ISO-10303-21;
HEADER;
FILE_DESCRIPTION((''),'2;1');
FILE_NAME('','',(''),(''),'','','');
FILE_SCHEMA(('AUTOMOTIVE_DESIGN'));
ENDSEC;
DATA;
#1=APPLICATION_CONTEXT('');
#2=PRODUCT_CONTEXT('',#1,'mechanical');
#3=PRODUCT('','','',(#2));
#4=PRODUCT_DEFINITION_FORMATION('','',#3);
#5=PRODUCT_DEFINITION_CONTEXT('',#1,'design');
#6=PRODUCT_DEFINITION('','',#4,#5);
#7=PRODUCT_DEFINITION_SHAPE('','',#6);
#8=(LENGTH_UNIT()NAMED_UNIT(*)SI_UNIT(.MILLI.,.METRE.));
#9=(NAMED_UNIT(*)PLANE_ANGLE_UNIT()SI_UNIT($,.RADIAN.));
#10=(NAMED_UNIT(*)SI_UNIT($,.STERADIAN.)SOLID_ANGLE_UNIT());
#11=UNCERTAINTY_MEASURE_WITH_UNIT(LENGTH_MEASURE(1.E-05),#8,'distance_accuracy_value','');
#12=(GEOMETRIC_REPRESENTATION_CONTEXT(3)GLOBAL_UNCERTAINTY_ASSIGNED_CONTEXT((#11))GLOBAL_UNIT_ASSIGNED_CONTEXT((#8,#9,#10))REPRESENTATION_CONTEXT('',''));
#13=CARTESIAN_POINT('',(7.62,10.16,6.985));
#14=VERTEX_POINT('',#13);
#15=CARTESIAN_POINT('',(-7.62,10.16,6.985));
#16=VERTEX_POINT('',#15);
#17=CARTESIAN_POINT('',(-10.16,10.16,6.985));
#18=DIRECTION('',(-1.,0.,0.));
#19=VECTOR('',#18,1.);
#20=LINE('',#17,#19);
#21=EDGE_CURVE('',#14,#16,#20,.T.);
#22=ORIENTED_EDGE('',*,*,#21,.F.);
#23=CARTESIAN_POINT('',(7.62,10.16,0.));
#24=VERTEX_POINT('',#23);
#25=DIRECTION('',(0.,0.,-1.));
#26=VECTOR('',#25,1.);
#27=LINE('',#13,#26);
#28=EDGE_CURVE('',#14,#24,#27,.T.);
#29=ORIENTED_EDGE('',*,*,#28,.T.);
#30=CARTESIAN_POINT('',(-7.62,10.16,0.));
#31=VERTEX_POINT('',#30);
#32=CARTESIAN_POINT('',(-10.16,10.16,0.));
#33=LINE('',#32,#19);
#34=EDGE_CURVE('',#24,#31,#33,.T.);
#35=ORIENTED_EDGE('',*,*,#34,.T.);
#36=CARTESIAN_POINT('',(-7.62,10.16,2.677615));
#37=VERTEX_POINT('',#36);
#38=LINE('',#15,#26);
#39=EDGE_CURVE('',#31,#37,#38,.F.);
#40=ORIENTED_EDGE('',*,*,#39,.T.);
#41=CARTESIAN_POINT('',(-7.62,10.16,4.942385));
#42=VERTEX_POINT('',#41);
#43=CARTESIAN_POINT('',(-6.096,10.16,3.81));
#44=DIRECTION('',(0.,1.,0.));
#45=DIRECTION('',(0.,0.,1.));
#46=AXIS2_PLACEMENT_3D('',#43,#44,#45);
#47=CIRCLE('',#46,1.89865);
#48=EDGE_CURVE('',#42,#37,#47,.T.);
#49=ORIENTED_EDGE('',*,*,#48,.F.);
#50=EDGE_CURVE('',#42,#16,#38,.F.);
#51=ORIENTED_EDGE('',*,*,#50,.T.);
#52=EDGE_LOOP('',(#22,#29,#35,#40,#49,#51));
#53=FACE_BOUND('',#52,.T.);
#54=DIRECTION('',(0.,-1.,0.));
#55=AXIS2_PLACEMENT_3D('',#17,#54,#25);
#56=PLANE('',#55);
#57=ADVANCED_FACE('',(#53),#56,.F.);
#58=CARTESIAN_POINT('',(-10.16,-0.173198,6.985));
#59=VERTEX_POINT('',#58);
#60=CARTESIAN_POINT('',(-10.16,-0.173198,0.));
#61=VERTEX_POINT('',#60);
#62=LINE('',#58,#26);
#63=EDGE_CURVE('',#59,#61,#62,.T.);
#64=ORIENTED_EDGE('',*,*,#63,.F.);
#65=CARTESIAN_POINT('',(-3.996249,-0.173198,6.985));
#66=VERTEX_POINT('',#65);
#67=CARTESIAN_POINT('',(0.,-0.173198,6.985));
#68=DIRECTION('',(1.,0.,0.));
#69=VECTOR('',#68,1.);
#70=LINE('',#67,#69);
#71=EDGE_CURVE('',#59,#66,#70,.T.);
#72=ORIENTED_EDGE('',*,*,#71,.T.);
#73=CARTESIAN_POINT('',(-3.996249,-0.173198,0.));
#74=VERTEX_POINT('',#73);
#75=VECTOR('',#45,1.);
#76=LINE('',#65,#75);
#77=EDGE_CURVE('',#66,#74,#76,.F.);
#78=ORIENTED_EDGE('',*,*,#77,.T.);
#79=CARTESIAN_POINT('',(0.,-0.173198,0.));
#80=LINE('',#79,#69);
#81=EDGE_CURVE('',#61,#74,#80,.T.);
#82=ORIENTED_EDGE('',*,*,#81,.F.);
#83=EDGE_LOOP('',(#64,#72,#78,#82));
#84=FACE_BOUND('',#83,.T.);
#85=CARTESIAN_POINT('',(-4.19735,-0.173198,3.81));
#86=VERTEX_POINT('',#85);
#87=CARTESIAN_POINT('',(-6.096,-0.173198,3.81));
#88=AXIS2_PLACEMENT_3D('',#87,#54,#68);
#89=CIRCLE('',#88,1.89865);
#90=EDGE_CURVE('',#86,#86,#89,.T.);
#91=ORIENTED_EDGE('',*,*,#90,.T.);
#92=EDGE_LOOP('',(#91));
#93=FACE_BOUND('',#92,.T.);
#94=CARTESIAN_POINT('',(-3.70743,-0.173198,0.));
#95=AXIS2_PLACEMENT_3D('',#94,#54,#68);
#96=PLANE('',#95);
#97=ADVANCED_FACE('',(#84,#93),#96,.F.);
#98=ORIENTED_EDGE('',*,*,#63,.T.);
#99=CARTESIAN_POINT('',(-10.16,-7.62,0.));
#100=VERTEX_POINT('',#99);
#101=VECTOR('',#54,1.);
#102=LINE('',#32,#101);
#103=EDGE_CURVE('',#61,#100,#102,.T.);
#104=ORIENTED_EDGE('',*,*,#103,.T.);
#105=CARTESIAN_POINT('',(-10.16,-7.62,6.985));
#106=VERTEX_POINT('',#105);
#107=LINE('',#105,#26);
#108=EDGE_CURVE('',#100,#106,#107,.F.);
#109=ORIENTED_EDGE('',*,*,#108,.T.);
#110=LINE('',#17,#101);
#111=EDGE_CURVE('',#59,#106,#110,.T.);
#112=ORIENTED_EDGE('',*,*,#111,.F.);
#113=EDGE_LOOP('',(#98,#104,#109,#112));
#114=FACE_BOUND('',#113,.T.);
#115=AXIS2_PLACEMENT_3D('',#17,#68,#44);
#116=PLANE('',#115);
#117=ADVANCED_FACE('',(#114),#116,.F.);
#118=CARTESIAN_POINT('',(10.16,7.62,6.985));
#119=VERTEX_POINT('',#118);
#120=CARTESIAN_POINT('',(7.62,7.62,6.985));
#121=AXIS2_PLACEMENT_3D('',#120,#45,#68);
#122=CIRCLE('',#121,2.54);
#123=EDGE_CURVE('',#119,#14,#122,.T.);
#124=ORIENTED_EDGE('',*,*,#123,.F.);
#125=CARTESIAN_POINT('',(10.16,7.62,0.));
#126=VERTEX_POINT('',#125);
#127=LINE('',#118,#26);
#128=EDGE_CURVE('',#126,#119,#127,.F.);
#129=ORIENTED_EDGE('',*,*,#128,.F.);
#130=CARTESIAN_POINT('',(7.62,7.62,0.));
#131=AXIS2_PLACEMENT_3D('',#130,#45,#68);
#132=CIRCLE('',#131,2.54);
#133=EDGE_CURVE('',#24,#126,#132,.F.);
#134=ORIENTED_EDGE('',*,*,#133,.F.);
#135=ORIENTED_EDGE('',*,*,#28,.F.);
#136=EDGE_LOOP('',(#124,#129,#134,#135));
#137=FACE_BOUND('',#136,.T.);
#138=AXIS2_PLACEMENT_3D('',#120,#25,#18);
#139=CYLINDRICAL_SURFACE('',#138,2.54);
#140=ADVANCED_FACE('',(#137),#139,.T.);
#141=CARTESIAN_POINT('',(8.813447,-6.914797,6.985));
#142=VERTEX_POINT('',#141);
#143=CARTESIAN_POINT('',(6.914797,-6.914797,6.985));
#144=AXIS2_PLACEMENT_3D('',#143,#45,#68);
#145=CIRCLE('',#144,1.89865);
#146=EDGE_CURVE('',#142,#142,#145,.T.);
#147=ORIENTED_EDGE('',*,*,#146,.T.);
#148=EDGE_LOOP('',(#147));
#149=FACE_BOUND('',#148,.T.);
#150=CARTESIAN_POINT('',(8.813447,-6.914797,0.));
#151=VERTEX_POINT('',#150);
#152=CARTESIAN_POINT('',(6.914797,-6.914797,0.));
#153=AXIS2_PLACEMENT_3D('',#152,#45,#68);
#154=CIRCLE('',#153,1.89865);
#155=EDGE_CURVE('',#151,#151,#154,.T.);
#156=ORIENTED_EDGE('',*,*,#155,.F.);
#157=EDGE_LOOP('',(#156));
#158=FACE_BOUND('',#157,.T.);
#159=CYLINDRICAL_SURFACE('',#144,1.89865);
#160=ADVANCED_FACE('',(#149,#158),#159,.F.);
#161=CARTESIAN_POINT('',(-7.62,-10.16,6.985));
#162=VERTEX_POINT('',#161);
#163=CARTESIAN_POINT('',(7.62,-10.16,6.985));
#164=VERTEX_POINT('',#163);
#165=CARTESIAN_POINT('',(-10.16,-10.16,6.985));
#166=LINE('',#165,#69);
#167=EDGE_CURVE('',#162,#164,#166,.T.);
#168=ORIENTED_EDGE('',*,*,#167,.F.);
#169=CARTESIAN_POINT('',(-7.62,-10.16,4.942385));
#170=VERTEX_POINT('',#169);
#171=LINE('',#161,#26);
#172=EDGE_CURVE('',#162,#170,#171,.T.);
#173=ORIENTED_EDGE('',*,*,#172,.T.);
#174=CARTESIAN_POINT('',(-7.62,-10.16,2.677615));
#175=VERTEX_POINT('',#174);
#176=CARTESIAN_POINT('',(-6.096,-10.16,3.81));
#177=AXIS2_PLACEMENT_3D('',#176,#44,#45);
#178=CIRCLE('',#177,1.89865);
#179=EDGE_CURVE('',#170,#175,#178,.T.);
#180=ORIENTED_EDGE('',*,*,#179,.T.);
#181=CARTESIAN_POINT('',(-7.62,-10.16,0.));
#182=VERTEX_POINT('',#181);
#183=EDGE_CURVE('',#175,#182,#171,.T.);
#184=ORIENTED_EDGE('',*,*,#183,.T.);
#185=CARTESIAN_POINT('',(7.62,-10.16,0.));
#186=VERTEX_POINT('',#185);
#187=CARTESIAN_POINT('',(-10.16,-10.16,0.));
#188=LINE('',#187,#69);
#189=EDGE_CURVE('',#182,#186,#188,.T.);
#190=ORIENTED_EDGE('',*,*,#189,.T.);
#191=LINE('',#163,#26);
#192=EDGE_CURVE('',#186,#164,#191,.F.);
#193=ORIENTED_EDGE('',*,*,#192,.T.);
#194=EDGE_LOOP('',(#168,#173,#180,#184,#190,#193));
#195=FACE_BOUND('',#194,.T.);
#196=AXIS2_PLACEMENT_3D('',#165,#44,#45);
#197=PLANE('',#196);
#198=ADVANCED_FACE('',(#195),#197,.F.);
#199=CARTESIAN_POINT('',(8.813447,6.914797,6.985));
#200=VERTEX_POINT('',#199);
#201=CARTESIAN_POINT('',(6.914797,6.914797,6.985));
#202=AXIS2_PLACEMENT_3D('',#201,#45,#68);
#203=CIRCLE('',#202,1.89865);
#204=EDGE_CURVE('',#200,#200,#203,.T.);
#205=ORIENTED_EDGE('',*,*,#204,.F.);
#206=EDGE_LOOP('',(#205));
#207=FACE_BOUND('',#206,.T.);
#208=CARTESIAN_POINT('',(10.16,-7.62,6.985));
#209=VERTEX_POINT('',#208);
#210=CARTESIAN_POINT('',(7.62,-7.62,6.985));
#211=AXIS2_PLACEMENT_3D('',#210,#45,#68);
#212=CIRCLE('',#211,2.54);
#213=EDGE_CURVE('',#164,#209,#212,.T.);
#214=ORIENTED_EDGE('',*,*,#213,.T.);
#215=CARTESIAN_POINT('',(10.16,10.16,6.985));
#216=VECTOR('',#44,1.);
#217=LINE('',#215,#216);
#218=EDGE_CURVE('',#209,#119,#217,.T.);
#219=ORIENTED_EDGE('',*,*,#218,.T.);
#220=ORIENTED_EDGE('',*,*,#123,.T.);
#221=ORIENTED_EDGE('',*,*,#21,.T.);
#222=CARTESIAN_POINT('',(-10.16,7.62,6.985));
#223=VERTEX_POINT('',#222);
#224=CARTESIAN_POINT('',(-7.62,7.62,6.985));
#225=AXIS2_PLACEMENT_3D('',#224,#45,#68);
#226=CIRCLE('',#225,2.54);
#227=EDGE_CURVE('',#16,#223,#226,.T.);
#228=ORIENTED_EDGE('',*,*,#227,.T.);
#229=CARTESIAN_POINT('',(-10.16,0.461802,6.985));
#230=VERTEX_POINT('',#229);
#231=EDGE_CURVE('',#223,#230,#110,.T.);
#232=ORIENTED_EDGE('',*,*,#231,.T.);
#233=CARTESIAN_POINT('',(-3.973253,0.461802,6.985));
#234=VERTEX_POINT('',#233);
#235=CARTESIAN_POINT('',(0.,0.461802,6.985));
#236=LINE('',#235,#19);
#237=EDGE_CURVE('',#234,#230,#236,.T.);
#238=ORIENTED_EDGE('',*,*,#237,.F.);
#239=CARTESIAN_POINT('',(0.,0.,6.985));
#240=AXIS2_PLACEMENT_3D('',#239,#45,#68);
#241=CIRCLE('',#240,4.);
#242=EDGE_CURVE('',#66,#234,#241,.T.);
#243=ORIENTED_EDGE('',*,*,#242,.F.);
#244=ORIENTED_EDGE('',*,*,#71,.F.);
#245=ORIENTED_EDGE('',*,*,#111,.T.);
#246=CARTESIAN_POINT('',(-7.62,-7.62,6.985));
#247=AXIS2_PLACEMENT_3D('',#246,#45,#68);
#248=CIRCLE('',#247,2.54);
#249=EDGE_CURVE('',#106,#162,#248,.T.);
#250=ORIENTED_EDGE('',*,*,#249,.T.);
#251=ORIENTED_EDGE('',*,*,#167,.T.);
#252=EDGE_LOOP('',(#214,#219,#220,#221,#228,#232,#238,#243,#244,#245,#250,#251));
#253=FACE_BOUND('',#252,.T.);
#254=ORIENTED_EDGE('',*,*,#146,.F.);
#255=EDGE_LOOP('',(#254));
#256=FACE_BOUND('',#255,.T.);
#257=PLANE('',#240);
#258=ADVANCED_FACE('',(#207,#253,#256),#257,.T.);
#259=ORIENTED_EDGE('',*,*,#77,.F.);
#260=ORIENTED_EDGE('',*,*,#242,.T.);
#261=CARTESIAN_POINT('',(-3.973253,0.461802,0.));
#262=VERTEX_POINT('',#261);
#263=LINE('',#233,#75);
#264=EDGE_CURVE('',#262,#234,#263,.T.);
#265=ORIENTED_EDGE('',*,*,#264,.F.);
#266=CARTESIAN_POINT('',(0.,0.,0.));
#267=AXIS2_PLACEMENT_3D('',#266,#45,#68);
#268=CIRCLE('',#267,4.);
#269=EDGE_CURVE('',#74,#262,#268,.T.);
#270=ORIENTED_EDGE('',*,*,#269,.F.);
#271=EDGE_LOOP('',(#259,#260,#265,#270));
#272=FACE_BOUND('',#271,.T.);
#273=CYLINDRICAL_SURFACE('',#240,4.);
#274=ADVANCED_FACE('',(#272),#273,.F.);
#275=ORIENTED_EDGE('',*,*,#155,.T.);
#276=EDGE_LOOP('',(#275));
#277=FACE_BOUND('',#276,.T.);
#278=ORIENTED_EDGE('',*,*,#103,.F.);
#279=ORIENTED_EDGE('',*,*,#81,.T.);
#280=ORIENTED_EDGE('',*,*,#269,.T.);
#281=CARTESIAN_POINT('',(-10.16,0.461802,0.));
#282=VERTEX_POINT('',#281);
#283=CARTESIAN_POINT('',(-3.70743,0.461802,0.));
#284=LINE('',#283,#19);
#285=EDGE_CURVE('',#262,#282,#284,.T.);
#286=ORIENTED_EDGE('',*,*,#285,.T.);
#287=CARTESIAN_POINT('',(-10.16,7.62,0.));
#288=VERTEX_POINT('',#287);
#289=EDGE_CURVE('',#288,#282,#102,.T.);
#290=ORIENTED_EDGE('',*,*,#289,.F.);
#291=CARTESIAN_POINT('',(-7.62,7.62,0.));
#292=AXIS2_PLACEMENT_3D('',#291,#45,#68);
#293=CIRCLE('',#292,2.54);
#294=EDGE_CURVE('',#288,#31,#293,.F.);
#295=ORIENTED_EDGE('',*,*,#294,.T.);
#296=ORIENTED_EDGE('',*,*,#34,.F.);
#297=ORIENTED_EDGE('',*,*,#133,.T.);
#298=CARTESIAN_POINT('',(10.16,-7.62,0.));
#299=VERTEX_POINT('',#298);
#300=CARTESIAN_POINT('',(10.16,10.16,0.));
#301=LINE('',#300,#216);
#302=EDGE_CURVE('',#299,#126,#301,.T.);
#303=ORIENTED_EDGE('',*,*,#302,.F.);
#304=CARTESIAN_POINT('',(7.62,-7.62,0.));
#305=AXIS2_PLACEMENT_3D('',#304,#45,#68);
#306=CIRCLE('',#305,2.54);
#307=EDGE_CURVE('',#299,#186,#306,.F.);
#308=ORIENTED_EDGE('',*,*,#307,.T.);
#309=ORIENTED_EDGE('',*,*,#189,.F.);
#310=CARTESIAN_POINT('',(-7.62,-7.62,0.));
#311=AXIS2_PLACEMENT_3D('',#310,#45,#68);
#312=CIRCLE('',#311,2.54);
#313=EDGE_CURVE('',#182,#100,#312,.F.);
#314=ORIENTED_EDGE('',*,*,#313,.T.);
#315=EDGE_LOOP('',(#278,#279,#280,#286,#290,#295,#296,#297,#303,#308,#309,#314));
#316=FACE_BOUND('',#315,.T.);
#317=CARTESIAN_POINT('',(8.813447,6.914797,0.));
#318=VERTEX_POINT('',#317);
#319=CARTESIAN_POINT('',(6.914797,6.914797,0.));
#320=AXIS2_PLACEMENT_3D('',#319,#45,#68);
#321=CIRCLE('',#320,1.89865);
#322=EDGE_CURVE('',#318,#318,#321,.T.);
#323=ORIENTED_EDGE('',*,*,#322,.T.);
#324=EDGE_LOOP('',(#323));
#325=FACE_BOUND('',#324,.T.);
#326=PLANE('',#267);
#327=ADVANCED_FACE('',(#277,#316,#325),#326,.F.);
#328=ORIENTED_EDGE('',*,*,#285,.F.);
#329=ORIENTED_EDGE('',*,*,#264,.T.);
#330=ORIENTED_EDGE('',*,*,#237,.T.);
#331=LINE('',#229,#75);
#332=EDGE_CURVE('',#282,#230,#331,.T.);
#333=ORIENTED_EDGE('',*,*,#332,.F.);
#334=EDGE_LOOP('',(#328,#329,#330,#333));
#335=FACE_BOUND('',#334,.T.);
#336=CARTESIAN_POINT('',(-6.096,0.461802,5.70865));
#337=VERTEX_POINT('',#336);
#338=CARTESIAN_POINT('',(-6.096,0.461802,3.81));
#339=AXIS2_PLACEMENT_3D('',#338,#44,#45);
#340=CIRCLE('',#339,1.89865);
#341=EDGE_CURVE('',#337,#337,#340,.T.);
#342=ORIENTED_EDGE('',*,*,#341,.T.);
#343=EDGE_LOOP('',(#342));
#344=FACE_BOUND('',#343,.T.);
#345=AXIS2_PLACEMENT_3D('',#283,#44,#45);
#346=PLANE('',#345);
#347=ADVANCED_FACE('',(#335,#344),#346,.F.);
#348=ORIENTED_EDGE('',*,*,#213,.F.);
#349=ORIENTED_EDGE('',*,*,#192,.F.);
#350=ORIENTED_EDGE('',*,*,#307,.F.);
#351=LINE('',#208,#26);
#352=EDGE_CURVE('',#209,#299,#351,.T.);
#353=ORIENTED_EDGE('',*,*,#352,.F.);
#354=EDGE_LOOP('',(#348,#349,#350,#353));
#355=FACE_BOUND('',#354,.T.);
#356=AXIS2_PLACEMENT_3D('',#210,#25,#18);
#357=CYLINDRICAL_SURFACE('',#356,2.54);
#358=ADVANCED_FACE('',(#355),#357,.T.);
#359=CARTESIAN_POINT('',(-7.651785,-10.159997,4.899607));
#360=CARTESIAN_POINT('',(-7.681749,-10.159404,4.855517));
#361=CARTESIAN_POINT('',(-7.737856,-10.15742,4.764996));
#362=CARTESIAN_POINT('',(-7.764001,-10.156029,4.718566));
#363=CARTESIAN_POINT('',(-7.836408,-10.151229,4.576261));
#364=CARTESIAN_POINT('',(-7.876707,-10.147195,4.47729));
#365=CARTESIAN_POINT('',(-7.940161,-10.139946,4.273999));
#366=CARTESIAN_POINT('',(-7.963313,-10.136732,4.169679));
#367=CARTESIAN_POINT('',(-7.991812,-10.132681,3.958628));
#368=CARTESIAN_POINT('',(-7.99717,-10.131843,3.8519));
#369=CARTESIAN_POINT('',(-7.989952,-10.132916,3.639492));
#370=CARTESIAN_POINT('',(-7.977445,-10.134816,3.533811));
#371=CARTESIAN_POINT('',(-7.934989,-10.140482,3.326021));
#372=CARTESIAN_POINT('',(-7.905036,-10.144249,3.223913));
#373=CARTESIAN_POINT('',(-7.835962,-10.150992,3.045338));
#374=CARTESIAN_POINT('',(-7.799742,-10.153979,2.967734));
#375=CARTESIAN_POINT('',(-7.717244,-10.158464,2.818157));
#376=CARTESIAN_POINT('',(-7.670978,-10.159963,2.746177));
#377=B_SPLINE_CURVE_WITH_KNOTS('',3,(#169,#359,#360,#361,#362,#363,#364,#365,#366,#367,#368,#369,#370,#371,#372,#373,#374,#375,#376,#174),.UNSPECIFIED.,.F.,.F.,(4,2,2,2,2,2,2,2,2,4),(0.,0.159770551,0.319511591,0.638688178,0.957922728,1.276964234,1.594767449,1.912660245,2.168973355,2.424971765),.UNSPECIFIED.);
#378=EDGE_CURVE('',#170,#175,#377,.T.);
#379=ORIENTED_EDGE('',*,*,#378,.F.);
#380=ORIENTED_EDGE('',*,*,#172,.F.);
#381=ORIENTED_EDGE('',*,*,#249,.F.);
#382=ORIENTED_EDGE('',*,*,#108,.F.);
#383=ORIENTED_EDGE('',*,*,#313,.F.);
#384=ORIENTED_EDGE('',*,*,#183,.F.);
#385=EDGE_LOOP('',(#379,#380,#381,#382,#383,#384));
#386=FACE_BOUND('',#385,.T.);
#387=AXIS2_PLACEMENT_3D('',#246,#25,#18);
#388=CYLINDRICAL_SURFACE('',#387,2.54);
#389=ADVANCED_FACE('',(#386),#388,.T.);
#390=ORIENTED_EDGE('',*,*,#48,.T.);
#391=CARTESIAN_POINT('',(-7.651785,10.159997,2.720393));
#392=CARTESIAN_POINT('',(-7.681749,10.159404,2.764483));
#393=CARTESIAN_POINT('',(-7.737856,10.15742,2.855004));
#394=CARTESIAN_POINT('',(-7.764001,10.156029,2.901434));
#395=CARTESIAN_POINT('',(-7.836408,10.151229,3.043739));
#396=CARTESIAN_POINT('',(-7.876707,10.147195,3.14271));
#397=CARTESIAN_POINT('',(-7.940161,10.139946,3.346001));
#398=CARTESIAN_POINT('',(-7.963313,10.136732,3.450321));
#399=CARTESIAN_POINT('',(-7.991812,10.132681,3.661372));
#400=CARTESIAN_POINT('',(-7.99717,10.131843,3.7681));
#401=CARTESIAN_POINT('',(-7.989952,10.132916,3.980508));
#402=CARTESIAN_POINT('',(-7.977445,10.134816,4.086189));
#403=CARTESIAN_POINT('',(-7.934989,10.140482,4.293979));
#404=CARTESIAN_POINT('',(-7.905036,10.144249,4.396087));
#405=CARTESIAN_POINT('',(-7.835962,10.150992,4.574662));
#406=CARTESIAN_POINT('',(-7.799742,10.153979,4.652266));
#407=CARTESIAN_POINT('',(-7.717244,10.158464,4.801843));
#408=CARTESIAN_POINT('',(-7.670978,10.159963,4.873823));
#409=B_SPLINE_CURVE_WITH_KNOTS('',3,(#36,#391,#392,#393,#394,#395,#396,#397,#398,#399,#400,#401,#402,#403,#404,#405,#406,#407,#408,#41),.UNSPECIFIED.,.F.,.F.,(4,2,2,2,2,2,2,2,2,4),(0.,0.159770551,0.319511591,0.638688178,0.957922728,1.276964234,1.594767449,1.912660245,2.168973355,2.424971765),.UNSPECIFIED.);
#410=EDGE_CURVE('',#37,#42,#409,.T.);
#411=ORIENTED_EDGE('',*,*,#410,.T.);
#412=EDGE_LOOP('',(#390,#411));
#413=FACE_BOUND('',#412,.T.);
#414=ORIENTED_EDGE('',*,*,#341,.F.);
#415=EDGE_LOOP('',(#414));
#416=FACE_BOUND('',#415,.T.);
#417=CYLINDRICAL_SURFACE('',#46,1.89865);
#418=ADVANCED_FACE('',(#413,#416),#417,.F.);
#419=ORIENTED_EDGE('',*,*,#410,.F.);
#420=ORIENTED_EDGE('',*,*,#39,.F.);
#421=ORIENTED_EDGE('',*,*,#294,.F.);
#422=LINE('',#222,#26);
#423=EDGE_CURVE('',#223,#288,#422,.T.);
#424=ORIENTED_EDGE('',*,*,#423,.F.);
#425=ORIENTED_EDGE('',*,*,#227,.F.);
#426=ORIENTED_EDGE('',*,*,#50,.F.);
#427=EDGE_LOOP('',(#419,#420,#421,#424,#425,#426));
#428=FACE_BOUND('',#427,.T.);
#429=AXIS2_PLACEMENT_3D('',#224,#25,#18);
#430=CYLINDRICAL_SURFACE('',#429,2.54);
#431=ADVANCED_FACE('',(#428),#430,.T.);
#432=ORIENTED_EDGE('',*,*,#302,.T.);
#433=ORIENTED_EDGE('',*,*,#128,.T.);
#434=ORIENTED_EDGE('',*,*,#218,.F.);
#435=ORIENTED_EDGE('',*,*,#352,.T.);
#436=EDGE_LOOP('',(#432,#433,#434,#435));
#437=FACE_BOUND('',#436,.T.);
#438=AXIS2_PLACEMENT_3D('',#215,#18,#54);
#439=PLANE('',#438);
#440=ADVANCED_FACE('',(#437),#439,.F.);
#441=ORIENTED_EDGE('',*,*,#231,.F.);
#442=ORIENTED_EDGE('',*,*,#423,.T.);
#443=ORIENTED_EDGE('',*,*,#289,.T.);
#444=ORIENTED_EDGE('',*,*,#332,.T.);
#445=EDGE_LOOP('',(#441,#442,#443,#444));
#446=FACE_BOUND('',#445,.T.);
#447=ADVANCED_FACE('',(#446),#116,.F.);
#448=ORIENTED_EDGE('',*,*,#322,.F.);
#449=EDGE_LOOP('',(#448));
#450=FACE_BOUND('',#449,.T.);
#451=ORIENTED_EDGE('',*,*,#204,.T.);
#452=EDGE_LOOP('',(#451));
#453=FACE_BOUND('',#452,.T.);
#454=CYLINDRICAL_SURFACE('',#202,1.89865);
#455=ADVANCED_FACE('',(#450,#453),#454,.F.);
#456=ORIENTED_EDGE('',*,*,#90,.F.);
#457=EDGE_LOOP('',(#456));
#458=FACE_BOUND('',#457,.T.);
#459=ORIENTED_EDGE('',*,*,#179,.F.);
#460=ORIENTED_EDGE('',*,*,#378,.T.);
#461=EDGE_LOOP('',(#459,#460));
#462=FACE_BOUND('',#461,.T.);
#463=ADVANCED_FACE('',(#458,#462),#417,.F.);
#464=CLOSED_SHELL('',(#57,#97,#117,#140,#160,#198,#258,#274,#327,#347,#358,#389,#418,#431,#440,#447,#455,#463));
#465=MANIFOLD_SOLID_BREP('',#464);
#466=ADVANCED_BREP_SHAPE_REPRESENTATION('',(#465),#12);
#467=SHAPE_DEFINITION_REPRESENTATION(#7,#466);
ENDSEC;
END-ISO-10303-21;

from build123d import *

# Parameters (mm, degrees)
SKETCH1_W                 = 20.32
SKETCH1_H                 = 20.32
BOSS_EXTRUDE1_DEPTH       = 6.985
SKETCH5_W                 = 22.86
SKETCH5_H                 = 0.635
CUT_EXTRUDE3_DEPTH        = 1
CUT_EXTRUDE3_DEPTH_BACK   = 7.985
F_6_CLEARANCE_HOLE1_D     = 3.7973
F_6_CLEARANCE_HOLE1_DEPTH = 6.985
FILLET1_R                 = 2.54
F_8_0MM_DOWEL_HOLE1_D     = 8
F_8_0MM_DOWEL_HOLE1_DEPTH = 6.985
F_6_CLEARANCE_HOLE2_D     = 3.7973


with BuildPart() as part:
    # Sketch1 → Boss-Extrude1 (new body)
    with BuildSketch(Plane.XY):
        Rectangle(SKETCH1_W, SKETCH1_H)
    extrude(amount=BOSS_EXTRUDE1_DEPTH)

    # Sketch5 → Cut-Extrude3 (cut, two sides)
    with BuildSketch(Plane.XY.offset(6.985)) as cut_extrude3_sk:
        with Locations((-15.137429848, 0.144302155)):
            Rectangle(SKETCH5_W, SKETCH5_H)
    extrude(amount=CUT_EXTRUDE3_DEPTH, mode=Mode.SUBTRACT)
    extrude(cut_extrude3_sk.sketch, amount=-CUT_EXTRUDE3_DEPTH_BACK, mode=Mode.SUBTRACT)

    # #6 Clearance Hole1
    with Locations(Plane.XY.offset(6.985)):
        with Locations((6.914797213, 6.914797213), (6.914797213, -6.914797213)):
            Hole(F_6_CLEARANCE_HOLE1_D / 2, depth=F_6_CLEARANCE_HOLE1_DEPTH)

    # Fillet1
    fillet1_edges = [part.edges().sort_by_distance(p)[0] for p in [
        (10.16, -10.16, 3.4925),
        (-10.16, -10.16, 3.4925),
        (-10.16, 10.16, 3.4925),
        (10.16, 10.16, 3.4925),
    ]]
    fillet(fillet1_edges, radius=FILLET1_R)

    # Ø8.0mm Dowel Hole1
    with Locations(Plane.XY.offset(6.985)):
        with Locations((0, 0)):
            Hole(F_8_0MM_DOWEL_HOLE1_D / 2, depth=F_8_0MM_DOWEL_HOLE1_DEPTH)

    # #6 Clearance Hole2 (through all)
    with Locations(Plane(origin=(0, 10.16, 0), x_dir=(1, 0, 0), z_dir=(0, 1, 0))):
        with Locations((-6.096, -3.81)):
            Hole(F_6_CLEARANCE_HOLE2_D / 2)


solid = part.part
